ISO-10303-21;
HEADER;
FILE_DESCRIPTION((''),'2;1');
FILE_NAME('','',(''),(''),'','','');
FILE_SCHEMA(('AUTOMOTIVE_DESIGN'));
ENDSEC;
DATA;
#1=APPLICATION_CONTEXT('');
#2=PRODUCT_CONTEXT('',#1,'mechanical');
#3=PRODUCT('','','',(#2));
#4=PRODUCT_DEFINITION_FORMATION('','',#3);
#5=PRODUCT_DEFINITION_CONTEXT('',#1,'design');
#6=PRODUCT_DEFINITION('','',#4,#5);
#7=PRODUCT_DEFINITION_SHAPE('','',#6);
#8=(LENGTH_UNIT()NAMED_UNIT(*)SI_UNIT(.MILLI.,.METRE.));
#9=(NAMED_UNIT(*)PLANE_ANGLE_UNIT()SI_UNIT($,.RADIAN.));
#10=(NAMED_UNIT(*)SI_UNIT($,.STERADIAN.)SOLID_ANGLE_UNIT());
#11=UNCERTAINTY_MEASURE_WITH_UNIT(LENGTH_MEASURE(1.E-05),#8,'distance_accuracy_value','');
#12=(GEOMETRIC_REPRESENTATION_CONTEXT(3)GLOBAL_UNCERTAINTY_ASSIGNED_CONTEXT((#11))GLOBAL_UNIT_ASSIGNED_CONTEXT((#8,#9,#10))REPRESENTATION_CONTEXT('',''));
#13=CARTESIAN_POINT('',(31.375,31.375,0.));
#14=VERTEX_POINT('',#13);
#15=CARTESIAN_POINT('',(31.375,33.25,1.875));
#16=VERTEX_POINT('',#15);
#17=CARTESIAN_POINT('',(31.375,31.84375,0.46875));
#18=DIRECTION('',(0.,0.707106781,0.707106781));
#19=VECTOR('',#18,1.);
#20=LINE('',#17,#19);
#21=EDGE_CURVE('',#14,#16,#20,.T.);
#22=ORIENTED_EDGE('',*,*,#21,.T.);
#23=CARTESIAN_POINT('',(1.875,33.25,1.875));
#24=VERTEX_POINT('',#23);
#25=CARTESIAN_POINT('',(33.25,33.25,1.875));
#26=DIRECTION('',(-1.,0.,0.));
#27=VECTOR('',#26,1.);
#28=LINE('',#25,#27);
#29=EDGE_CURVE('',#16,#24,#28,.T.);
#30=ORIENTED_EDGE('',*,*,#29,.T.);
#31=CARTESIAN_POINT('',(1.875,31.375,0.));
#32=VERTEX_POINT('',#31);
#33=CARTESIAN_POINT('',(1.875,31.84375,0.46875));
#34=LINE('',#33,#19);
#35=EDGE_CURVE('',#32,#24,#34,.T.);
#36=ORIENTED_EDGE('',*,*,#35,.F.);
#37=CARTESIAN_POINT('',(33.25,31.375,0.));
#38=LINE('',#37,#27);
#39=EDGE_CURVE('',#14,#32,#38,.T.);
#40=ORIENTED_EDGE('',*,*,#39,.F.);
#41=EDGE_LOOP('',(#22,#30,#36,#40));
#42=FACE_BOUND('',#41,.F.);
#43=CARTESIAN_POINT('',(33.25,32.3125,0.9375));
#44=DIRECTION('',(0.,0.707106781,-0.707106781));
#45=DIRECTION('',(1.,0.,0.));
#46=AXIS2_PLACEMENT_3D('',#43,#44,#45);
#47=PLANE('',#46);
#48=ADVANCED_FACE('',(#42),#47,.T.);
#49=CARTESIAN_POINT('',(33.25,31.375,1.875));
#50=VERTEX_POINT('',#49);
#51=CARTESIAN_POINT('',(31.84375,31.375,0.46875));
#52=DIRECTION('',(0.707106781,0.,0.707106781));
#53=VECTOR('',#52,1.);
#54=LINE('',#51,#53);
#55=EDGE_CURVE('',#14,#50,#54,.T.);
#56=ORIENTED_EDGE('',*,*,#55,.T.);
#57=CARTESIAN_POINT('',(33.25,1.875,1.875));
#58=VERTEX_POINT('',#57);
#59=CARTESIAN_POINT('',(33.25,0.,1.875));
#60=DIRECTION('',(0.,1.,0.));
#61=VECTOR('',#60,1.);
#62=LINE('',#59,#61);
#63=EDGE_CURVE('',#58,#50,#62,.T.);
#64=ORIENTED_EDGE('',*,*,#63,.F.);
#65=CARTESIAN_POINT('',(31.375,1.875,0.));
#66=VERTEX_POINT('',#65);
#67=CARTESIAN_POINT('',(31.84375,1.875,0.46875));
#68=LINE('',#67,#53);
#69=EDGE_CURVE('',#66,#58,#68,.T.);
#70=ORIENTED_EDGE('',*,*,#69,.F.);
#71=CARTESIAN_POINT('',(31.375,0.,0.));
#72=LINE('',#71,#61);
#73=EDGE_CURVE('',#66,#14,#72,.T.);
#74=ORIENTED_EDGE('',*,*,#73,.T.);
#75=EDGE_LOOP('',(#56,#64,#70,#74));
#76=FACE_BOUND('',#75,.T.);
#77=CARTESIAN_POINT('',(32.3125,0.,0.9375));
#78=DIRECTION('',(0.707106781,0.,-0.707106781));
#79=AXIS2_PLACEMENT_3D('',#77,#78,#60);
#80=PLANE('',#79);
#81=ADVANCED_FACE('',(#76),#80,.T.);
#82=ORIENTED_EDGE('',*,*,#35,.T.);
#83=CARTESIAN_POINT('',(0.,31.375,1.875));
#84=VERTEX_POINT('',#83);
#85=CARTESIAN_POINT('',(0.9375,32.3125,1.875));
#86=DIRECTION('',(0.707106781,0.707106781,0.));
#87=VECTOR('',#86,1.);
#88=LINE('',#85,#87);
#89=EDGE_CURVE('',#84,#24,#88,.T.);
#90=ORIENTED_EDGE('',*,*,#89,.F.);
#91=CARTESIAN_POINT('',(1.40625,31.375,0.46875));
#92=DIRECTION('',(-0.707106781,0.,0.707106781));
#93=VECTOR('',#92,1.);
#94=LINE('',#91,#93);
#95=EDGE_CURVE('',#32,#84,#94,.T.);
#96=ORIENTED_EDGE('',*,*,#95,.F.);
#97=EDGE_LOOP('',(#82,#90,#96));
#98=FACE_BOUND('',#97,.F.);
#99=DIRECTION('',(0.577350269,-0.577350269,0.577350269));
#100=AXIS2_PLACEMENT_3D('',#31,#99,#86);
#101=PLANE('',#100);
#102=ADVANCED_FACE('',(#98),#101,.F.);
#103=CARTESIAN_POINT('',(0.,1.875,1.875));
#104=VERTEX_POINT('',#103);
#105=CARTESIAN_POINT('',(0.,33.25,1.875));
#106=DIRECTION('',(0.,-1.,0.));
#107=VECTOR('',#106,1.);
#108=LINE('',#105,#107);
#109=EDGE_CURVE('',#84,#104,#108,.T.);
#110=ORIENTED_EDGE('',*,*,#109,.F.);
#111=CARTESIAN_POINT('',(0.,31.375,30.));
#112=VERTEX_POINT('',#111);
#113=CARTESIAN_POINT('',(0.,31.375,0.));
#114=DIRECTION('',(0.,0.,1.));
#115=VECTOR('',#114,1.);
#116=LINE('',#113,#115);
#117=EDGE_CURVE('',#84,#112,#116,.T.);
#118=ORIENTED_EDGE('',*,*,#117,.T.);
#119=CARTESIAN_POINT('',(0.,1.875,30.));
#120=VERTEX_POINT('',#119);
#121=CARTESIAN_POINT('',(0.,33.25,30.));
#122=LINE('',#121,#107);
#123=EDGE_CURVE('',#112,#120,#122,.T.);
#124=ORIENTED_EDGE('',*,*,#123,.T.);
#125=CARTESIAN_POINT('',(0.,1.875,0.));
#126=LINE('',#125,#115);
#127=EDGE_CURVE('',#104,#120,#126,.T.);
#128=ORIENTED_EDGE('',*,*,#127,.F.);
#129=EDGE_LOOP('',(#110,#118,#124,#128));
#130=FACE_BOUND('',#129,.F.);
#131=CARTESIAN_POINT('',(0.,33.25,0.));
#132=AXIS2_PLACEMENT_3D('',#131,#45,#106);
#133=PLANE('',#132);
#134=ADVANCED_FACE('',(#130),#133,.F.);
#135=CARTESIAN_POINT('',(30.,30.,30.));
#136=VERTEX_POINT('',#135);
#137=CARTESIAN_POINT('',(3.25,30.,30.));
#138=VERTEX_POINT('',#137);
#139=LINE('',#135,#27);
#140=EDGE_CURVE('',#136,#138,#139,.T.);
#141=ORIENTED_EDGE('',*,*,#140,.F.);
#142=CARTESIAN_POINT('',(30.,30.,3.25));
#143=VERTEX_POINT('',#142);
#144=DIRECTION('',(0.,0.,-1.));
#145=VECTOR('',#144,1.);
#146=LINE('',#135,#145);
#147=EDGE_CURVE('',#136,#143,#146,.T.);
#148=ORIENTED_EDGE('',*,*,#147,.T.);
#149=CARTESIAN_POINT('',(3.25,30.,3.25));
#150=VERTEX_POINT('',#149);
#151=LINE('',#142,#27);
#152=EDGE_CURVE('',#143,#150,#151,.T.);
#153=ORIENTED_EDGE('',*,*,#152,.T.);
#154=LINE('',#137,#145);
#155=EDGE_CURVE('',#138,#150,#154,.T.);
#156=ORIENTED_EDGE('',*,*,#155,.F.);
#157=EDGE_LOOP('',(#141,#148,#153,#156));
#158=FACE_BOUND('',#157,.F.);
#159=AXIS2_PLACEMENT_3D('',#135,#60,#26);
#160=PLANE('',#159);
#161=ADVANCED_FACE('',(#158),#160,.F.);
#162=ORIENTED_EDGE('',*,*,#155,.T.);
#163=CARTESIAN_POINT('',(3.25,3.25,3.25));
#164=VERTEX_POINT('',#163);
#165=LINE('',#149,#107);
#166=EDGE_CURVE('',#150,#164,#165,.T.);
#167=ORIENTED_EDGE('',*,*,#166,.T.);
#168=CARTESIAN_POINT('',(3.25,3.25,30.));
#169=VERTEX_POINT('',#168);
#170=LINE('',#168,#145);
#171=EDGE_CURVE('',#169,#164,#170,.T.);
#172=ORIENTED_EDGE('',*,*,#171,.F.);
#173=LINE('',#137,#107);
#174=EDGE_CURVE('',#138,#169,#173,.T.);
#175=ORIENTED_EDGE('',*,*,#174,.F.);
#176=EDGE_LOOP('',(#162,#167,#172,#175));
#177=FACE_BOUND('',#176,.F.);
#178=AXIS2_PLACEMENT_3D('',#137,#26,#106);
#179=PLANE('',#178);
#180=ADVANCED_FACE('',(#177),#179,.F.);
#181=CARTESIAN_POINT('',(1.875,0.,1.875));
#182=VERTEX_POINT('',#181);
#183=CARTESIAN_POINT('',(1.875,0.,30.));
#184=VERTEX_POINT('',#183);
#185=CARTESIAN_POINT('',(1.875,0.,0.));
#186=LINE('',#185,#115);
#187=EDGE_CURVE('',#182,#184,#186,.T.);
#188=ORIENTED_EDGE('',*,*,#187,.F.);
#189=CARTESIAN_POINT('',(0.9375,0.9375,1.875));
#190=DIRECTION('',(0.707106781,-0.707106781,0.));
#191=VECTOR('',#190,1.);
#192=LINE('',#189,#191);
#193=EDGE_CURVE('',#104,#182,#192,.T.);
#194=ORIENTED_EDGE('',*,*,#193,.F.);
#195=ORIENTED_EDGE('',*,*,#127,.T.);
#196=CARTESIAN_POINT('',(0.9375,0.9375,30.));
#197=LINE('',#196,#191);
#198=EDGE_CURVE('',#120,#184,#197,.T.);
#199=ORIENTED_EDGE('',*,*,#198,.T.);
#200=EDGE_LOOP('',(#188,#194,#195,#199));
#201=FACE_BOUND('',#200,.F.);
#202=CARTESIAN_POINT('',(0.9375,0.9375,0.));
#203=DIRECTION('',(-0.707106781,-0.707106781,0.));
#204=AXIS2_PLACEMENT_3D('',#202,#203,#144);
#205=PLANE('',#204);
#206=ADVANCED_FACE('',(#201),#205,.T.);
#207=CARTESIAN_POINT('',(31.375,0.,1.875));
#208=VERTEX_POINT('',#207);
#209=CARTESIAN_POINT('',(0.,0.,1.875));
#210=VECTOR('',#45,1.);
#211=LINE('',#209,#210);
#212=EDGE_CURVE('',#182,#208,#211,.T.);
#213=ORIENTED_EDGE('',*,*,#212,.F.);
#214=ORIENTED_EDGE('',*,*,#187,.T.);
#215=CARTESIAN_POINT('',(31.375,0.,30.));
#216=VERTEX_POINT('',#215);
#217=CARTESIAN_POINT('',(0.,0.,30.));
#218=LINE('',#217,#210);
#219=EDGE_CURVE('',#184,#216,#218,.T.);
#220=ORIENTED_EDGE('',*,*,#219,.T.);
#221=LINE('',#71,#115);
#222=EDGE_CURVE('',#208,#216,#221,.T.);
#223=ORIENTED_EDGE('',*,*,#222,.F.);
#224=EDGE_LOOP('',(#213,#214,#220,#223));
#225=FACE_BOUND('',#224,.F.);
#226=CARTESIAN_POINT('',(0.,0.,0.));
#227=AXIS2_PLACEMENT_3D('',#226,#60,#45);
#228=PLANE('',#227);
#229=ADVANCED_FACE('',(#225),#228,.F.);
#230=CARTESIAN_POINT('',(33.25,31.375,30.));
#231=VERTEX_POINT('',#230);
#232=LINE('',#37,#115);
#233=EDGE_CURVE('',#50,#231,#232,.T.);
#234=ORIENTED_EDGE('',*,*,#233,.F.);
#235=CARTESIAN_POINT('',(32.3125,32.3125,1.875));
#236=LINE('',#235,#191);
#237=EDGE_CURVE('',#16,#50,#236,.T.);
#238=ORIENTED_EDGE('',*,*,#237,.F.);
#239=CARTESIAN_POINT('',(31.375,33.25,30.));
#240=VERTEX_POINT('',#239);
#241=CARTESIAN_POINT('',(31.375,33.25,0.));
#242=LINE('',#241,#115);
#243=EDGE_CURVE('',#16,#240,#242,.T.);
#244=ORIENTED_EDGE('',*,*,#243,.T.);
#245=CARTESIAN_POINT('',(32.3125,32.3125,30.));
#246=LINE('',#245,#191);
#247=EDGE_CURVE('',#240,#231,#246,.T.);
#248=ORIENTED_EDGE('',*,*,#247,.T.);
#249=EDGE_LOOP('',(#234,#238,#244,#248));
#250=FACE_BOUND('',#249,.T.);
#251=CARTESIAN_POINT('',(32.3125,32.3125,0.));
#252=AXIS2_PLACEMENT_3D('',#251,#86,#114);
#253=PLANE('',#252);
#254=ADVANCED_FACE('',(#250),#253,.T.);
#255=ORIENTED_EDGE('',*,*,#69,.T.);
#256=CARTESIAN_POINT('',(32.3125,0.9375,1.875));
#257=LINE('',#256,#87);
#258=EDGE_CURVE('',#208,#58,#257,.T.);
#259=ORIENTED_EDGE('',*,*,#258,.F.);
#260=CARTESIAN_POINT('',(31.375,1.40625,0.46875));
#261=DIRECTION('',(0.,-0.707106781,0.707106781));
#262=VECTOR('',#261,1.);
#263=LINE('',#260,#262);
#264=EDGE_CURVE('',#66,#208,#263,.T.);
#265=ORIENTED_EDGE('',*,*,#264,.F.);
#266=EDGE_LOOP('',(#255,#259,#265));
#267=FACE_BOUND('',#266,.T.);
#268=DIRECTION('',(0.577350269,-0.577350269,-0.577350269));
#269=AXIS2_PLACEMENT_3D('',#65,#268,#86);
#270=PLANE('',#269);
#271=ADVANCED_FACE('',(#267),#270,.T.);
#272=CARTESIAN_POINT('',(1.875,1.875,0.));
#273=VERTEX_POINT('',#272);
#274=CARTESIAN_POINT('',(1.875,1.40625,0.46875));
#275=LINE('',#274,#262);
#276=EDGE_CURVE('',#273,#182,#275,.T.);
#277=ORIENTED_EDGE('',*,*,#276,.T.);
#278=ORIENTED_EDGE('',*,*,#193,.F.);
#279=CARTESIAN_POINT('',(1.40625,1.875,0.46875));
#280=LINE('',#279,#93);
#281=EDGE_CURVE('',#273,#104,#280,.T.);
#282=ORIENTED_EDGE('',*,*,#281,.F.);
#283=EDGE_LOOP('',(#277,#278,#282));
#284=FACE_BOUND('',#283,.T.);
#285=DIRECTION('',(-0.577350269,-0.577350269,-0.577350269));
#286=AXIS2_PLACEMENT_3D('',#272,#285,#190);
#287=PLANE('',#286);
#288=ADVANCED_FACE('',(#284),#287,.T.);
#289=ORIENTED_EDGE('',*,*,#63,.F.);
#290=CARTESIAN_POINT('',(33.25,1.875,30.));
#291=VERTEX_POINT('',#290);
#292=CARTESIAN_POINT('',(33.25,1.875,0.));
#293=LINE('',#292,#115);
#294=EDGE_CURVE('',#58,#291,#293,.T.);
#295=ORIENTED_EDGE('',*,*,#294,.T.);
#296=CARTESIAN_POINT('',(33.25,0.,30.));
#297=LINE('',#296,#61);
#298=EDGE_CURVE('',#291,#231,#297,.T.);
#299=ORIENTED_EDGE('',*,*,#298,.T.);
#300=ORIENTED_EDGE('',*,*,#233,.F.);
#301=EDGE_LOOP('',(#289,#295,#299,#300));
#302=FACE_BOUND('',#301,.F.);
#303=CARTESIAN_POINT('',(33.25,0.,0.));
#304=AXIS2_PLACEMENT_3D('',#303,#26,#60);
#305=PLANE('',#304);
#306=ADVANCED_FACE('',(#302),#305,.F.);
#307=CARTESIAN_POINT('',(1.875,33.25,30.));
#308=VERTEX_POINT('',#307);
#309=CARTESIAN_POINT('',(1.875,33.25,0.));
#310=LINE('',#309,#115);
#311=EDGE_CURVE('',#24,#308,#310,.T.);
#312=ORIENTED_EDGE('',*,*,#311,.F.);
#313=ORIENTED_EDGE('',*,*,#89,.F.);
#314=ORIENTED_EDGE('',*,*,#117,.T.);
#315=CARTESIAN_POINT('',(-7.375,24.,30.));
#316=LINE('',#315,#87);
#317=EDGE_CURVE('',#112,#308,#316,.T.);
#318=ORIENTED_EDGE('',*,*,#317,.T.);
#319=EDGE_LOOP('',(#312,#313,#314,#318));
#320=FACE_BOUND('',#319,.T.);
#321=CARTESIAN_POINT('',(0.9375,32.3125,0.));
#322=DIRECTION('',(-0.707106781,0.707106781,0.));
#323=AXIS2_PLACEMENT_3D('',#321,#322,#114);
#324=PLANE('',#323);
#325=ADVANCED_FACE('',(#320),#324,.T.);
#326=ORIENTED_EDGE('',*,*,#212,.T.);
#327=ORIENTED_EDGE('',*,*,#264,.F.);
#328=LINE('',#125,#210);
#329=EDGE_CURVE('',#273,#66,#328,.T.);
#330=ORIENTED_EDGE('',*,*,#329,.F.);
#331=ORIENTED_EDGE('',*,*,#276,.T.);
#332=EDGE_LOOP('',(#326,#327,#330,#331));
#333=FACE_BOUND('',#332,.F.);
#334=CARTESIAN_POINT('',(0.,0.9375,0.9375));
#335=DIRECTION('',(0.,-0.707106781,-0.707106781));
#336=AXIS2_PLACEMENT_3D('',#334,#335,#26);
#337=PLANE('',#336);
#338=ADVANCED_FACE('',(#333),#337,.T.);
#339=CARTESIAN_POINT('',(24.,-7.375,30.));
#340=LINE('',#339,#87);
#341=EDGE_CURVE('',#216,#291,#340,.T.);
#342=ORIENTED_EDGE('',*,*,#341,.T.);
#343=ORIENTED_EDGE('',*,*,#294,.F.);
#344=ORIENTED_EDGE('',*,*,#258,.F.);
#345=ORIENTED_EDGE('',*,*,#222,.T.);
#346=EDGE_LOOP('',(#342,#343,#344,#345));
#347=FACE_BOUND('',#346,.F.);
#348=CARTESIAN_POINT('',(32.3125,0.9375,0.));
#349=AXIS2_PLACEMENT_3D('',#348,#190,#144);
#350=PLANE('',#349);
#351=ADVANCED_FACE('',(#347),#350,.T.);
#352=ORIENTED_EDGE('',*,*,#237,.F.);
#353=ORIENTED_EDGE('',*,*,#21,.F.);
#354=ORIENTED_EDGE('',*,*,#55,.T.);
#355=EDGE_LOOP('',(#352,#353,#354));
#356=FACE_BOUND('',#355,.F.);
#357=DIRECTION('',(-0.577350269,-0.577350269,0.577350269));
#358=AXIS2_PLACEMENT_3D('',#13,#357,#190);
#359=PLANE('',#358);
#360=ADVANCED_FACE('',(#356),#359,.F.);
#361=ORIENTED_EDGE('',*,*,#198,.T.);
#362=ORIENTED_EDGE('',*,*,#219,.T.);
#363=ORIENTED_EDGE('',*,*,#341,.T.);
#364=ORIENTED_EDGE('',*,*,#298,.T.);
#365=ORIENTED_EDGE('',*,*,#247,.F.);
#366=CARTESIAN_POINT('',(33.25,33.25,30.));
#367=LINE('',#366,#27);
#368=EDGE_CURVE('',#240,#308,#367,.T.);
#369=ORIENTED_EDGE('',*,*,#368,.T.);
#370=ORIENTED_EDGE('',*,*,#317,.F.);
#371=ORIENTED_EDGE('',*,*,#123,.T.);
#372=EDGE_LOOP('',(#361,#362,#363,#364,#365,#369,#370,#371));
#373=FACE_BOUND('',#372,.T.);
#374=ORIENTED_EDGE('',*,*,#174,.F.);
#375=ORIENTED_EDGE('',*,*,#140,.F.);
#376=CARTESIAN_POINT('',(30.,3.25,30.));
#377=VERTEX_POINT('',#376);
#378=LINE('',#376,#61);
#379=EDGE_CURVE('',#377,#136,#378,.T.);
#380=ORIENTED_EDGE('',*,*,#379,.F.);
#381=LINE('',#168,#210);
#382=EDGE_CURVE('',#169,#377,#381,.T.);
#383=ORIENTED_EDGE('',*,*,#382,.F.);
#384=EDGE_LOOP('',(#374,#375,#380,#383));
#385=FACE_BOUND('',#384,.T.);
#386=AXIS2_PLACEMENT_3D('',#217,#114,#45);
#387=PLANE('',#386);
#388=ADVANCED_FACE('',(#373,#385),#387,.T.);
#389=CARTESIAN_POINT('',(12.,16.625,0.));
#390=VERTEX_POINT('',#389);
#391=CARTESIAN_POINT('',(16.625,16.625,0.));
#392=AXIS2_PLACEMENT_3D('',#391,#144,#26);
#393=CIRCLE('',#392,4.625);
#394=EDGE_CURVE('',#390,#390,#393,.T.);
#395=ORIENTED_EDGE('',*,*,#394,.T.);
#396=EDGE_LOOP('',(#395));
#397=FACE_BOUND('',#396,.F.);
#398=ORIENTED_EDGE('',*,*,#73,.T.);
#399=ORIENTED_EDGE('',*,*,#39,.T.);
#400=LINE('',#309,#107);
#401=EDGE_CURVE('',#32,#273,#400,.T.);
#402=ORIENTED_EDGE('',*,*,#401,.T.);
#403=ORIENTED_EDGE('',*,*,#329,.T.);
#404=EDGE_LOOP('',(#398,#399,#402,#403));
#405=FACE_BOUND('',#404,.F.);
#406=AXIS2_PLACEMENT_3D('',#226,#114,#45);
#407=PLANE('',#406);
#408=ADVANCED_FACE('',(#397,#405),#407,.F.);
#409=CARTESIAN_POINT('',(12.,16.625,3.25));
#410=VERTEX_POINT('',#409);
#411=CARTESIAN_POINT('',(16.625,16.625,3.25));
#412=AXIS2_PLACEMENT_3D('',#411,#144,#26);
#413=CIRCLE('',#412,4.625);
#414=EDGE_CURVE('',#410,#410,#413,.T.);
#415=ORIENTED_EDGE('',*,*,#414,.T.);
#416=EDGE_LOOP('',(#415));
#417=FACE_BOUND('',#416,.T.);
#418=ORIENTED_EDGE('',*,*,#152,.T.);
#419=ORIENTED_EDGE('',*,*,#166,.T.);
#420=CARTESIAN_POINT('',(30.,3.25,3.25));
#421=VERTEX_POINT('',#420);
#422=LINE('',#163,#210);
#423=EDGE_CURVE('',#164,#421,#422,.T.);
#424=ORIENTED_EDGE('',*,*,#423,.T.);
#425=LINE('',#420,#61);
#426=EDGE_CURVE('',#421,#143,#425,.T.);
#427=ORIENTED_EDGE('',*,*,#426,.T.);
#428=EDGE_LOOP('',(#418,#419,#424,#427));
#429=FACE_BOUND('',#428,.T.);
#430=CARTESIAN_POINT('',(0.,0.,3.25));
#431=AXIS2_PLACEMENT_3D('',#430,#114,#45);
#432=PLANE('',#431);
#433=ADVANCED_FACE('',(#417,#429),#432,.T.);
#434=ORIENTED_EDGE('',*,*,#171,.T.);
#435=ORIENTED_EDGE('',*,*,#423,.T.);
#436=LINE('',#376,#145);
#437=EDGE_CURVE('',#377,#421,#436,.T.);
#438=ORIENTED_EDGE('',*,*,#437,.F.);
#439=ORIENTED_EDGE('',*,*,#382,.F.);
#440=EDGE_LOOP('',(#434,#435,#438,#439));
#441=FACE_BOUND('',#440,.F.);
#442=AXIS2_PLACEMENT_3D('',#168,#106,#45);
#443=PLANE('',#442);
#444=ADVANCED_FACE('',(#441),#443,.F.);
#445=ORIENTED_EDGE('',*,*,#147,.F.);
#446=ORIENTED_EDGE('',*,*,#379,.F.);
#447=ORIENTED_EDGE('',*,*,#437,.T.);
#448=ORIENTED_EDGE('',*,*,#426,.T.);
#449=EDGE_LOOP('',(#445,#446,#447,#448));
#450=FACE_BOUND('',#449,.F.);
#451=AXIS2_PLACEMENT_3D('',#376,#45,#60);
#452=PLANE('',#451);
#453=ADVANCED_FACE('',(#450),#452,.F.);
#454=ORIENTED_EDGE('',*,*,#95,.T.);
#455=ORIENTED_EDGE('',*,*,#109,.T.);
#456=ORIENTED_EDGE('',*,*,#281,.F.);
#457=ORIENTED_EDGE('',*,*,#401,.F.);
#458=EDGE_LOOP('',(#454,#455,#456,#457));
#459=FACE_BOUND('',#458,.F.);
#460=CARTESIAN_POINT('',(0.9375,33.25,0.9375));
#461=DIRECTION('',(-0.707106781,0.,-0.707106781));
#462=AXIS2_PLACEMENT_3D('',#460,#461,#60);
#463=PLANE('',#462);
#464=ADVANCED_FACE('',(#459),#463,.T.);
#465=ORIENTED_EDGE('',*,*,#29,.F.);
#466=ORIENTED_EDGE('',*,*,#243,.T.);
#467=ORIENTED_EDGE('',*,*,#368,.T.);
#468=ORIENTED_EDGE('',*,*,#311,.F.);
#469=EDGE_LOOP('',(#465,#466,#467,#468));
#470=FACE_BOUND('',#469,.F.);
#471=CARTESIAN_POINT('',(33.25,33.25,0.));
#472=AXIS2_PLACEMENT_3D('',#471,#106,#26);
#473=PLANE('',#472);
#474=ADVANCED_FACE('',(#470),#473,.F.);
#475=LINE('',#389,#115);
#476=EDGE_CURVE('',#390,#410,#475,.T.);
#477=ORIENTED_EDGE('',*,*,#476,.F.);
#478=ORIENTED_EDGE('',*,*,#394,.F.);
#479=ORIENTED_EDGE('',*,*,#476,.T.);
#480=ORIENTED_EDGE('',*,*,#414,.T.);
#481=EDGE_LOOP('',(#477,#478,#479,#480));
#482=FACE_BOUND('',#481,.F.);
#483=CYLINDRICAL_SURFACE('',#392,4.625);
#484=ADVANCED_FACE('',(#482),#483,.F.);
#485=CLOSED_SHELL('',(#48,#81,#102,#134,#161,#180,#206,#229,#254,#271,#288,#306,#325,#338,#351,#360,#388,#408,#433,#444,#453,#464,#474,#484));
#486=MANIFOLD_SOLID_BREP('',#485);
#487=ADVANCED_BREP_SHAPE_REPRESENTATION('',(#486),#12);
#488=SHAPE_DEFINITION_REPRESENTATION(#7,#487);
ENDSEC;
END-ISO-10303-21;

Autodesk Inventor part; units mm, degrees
ref_plane "YZ Plane" through (0, 0, 0) normal (1, 0, 0) x (0, 1, 0)
ref_plane "XZ Plane" through (0, 0, 0) normal (0, 1, 0) x (-1, 0, 0)
ref_plane "XY Plane" through (0, 0, 0) normal (0, 0, 1) x (1, 0, 0)
sketch "Sketch1" plane through (0, 0, 0) normal (0, 0, 1) x (1, 0, 0)
  line L0 (0, 0) -> (33.25, 0)
  line L1 (33.25, 0) -> (33.25, 33.25)
  line L2 (33.25, 33.25) -> (0, 33.25)
  line L3 (0, 33.25) -> (0, 0)
  dimension "d0" = 33.25
  dimension "d1" = 33.25
extrude "Extrusion1" add sketch "Sketch1" along normal blind 30
sketch "Sketch2" plane through (0, 0, 30) normal (0, 0, 1) x (1, 0, 0)
  point P0 (0, 0)
sketch "Sketch3" plane through (0, 0, 30) normal (0, 0, 1) x (1, 0, 0)
  line L0 (3.25, 3.25) -> (30, 3.25)
  line L1 (30, 3.25) -> (30, 30)
  line L2 (30, 30) -> (3.25, 30)
  line L3 (3.25, 30) -> (3.25, 3.25)
  line L4 (33.25, 0) -> (33.25, 33.25) projected
  line L5 (0, 0) -> (33.25, 0)
  line L6 (33.25, 0) -> (33.25, 33.25)
  line L7 (33.25, 33.25) -> (0, 33.25)
  line L8 (0, 33.25) -> (0, 0)
  dimension "d4" = 26.75
  dimension "d5" = 26.75
extrude "Extrusion2" cut sketch "Sketch3" against normal blind 26.75 contours L3 L2 L1 L0
chamfer "Chamfer1" distance 1.875 angle 45 8 edges at (33.25, 33.25, 15) (33.25, 0, 15) (0, 33.25, 15) (0, 0, 15) (0, 16.625, 0) (16.625, 33.25, 0) (16.625, 0, 0) (33.25, 16.625, 0)
sketch "Sketch4" plane through (0, 0, 0) normal (0, 0, -1) x (-1, 0, 0)
  circle A0 centre (-16.625, 16.625) radius 4.625
  point P0 (0, 0)
  dimension "d11" = 9.25
extrude "Extrusion3" cut sketch "Sketch4" against normal blind 10
thread "Thread1" size "M10x1.5" class "6H" standard "ANSI Metric M Profile" full length
properties part number "cuvette holder lid_with_threaded_escape_valve"
